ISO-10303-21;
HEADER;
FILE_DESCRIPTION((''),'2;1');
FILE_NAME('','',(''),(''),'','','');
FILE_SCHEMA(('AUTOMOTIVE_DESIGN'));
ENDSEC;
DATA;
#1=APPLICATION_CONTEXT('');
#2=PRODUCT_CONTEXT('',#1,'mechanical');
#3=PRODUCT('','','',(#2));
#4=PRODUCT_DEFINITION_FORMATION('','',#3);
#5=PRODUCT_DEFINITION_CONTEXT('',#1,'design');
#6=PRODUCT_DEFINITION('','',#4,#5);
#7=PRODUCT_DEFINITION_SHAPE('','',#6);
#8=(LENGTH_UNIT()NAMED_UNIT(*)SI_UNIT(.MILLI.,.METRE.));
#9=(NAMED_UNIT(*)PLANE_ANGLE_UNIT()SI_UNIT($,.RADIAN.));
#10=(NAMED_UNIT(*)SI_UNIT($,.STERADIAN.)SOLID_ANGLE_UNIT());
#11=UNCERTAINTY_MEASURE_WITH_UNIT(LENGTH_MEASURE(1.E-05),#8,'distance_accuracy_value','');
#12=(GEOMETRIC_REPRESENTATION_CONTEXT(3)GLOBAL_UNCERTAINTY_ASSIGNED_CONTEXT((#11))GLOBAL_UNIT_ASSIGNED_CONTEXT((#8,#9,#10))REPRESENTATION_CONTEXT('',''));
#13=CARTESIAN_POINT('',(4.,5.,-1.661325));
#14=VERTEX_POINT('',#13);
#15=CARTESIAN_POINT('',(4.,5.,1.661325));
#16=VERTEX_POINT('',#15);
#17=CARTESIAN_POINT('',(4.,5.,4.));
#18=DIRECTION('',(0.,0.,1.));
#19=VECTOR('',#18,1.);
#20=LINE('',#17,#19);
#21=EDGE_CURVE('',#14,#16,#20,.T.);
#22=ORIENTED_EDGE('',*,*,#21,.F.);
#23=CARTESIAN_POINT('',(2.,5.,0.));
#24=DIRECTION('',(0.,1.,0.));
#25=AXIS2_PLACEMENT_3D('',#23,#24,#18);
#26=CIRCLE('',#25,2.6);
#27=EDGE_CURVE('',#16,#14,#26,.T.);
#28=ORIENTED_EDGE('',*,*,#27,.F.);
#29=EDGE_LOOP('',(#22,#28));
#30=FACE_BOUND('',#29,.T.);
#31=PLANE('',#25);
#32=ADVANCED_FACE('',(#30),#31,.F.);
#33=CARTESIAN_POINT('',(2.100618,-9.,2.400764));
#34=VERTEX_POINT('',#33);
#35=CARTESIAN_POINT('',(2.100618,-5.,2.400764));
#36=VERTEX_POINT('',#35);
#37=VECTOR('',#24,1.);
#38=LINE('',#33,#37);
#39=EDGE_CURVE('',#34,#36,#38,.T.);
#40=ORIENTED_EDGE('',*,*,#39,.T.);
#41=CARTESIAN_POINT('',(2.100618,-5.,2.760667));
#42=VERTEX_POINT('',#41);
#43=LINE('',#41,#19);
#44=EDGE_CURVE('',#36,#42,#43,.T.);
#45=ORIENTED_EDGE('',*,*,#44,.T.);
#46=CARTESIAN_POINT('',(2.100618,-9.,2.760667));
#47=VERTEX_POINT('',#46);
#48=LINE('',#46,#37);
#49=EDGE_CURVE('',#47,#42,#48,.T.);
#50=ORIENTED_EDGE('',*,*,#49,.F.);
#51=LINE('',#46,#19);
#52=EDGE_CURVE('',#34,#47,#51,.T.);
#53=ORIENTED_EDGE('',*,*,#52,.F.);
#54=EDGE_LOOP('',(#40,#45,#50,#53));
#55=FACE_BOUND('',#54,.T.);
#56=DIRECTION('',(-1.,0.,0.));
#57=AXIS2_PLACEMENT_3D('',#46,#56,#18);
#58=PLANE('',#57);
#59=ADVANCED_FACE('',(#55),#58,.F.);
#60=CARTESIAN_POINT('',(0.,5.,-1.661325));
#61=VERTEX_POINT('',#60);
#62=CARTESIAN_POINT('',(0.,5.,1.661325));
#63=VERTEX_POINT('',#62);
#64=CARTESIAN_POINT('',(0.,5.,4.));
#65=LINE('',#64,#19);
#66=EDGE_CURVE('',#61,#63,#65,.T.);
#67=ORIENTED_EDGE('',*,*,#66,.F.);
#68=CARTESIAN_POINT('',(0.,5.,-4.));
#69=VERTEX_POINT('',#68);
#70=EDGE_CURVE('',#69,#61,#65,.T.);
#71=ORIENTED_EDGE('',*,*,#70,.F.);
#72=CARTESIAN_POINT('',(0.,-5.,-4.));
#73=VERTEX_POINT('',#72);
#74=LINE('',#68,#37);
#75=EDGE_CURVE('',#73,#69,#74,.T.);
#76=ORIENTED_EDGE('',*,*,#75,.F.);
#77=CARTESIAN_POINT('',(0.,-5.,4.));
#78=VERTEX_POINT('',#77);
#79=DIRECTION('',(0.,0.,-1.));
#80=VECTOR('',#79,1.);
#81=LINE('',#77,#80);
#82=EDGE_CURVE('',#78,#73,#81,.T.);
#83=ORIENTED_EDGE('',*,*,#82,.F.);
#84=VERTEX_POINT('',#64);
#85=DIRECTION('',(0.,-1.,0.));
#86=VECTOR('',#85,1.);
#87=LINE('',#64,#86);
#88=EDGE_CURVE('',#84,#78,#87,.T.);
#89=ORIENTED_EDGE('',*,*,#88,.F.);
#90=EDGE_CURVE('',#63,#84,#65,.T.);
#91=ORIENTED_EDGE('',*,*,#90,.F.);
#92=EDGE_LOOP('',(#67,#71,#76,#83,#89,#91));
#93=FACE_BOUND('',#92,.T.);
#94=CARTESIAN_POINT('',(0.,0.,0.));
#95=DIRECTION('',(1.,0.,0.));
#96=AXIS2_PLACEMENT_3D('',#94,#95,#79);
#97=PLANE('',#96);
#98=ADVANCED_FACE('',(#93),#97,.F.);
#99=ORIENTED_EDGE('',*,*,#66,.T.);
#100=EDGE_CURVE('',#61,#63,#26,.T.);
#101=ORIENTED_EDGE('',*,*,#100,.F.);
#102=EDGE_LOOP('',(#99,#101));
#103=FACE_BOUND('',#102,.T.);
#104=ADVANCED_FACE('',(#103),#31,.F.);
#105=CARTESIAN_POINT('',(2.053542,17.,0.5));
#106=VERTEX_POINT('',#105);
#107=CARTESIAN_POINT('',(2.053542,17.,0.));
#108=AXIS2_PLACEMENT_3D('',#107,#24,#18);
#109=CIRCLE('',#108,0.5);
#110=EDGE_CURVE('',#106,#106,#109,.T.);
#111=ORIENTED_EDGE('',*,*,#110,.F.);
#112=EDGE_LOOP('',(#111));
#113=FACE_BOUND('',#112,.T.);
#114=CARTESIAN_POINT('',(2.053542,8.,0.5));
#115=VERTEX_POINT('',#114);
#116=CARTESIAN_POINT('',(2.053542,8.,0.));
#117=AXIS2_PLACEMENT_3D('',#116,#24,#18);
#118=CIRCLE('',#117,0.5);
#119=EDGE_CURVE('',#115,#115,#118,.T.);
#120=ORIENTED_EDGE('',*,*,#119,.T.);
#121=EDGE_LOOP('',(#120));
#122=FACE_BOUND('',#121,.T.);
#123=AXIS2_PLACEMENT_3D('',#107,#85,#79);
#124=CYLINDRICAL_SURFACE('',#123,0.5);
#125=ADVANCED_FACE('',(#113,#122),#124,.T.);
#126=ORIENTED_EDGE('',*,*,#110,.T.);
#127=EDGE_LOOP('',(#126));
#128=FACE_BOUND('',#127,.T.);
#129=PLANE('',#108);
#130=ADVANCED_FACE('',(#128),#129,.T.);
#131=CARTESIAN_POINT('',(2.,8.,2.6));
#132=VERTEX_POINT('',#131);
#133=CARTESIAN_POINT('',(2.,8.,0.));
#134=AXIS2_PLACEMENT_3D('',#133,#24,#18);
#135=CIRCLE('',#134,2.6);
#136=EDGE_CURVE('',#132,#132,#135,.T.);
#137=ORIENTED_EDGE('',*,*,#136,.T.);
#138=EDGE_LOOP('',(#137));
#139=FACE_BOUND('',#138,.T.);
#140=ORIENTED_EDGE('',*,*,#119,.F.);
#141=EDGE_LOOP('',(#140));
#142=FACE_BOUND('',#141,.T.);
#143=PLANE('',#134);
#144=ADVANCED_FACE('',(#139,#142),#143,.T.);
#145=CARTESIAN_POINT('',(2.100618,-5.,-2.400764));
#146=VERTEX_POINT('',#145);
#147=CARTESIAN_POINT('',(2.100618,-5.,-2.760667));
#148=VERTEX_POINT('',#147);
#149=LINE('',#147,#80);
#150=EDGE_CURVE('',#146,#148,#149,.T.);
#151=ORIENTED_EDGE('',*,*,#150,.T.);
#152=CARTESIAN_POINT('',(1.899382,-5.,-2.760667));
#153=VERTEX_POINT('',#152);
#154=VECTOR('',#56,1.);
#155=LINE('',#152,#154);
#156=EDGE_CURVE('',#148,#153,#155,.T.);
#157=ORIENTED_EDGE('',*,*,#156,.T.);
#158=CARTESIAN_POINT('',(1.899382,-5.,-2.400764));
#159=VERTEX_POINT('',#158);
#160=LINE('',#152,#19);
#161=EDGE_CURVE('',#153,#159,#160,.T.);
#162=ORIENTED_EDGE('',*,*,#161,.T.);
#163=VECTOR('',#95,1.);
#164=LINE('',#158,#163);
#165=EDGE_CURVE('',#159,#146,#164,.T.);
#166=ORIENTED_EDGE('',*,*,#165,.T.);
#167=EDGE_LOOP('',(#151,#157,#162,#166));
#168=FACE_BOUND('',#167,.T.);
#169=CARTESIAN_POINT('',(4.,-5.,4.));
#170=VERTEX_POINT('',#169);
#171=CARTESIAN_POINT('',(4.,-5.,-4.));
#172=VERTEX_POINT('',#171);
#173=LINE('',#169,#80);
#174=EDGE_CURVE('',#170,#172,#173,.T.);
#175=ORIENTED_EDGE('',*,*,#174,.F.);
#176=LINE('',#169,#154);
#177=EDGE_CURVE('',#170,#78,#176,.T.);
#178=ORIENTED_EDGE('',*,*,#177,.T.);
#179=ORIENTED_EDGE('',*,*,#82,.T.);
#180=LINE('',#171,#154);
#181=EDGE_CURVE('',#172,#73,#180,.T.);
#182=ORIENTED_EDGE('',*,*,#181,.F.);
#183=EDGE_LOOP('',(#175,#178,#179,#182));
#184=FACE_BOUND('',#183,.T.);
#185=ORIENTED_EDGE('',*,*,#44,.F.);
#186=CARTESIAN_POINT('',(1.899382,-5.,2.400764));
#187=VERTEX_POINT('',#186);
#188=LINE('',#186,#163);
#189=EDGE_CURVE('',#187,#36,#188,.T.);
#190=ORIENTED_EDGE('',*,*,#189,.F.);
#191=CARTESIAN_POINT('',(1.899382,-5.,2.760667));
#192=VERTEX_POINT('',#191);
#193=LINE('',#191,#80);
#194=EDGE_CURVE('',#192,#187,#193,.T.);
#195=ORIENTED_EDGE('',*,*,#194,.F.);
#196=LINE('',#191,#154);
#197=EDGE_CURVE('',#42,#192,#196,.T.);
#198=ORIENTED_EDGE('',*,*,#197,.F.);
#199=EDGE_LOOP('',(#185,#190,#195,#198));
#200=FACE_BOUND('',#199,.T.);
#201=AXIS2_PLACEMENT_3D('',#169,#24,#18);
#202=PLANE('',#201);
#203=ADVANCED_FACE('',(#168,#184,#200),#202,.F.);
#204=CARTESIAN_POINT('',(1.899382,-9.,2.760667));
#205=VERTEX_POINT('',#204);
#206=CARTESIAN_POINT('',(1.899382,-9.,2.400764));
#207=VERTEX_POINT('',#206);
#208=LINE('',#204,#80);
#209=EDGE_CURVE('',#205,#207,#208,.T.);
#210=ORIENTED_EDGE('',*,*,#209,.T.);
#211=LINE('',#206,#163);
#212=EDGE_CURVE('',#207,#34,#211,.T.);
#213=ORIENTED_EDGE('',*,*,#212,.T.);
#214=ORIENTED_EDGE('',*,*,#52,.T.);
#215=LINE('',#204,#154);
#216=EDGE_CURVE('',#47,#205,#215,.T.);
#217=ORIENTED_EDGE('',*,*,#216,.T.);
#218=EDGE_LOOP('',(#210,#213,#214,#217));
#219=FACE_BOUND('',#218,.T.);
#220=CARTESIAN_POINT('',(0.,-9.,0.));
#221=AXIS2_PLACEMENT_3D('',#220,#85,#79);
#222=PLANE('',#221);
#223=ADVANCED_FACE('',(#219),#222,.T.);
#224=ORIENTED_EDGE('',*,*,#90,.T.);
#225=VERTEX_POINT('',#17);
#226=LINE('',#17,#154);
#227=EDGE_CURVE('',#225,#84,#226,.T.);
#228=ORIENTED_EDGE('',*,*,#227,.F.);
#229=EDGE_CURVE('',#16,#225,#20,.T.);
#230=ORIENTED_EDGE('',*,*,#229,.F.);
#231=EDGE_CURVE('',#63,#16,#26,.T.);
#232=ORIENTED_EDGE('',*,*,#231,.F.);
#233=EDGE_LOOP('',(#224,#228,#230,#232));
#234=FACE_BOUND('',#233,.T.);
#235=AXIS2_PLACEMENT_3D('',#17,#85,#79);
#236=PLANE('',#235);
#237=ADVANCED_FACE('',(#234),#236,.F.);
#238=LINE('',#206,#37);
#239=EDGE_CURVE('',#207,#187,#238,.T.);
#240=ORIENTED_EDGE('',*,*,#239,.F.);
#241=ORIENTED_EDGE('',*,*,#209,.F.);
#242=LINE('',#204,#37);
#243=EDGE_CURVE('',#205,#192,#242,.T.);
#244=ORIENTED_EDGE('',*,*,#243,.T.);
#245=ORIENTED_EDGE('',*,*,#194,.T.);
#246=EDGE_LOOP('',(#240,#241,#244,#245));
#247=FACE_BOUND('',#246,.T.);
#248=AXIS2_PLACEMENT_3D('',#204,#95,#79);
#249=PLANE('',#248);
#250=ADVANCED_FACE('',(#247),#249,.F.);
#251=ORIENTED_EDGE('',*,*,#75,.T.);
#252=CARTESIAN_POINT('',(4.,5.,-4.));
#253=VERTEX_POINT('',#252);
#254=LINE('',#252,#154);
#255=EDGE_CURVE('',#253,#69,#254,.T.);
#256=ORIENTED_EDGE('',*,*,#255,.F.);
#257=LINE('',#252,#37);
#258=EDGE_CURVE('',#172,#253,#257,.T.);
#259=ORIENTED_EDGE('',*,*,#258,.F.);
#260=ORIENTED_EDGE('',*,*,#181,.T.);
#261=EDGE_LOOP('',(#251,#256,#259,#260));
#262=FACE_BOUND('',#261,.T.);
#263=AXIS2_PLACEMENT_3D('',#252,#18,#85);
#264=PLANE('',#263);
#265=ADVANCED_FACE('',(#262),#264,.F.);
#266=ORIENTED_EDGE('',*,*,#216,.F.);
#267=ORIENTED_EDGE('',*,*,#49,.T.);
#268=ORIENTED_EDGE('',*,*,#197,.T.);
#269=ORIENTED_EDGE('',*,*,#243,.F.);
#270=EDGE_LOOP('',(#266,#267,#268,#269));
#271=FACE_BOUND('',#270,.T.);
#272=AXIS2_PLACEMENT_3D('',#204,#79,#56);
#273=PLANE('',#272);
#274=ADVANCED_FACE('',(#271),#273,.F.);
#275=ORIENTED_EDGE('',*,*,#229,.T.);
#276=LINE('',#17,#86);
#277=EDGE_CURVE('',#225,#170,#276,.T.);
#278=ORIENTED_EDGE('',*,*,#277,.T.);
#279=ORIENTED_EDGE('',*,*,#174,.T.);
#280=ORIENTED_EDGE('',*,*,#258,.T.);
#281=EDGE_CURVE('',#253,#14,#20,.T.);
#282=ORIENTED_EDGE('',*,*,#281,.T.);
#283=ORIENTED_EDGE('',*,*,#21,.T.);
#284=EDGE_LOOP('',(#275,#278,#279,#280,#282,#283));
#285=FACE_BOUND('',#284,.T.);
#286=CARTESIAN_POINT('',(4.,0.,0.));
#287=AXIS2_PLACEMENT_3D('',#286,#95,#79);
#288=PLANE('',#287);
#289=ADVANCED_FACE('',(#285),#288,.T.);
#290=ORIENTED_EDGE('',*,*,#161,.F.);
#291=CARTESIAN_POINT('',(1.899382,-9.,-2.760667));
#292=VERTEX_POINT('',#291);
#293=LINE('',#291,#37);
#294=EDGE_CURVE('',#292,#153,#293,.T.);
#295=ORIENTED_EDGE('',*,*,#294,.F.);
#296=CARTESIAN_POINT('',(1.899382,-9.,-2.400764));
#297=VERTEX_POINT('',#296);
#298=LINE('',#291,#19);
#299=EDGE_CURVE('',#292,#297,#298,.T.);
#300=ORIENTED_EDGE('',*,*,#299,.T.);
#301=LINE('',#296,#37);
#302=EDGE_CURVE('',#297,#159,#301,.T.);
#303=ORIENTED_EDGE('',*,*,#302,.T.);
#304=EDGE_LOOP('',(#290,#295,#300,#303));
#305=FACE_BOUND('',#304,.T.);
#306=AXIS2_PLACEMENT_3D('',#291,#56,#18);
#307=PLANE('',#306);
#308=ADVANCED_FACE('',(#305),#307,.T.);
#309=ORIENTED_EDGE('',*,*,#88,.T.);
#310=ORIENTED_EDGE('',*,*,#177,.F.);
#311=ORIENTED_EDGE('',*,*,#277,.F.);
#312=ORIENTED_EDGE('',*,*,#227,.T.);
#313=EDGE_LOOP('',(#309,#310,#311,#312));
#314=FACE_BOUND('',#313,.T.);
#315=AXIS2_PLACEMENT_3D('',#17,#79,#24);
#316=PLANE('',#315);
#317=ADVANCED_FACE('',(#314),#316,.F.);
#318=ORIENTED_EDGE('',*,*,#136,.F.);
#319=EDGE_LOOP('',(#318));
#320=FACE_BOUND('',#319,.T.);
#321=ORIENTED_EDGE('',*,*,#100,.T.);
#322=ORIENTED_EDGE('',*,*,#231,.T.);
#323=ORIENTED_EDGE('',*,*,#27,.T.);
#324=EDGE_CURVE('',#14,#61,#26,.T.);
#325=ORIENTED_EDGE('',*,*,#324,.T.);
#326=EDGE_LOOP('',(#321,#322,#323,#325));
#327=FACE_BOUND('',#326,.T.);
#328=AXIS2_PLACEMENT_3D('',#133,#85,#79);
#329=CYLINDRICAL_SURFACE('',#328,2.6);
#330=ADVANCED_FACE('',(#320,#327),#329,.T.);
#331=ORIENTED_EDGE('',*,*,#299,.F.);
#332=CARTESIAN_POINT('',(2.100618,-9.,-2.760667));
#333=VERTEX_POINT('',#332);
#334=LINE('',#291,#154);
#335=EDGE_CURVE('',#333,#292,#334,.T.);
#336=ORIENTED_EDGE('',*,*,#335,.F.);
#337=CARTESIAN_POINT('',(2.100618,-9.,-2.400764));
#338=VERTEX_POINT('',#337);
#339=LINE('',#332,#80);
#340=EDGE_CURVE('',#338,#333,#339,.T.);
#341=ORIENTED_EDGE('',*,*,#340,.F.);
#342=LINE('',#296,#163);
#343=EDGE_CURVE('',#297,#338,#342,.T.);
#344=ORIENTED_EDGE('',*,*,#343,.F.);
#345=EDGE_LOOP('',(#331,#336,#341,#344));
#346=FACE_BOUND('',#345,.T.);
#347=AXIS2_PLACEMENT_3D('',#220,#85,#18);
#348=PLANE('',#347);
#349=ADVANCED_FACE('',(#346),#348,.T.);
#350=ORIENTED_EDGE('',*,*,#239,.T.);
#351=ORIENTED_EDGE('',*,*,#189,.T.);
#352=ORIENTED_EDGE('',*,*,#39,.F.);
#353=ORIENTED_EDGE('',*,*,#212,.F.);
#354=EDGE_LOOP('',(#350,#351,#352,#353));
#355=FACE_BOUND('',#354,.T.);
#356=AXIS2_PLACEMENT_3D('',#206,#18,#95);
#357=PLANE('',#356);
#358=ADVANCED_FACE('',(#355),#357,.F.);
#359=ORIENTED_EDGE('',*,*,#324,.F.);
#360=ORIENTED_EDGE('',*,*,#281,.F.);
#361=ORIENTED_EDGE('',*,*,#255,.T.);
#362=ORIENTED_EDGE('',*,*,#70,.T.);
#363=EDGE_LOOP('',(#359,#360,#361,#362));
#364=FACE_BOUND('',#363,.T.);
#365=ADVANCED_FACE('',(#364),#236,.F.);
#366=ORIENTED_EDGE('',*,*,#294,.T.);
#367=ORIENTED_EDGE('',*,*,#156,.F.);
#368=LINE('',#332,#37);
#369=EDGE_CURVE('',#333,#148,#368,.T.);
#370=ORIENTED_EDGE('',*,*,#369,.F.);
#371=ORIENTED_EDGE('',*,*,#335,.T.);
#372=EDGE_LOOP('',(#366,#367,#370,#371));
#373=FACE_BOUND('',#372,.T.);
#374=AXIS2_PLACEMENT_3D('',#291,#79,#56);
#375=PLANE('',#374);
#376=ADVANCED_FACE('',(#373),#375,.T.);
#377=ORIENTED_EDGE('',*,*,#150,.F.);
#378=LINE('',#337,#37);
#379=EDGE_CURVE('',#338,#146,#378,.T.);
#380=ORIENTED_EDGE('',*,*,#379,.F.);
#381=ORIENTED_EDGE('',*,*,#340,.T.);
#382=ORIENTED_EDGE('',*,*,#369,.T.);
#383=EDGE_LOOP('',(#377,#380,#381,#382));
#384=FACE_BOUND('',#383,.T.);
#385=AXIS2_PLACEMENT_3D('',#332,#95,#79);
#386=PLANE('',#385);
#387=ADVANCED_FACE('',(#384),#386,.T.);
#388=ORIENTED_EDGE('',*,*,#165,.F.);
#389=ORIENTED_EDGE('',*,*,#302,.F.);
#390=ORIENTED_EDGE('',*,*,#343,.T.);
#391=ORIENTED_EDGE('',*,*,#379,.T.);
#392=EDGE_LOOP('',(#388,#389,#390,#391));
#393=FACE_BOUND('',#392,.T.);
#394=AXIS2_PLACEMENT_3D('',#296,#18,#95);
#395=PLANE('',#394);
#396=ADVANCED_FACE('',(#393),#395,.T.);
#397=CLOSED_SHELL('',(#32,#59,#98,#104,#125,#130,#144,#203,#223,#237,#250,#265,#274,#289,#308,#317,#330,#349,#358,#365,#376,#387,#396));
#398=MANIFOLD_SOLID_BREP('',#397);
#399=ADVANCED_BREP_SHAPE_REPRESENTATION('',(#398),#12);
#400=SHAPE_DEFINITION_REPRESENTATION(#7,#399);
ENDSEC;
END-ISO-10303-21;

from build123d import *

# Parameters (mm, degrees)
ESQUISSE1_W        = 8
ESQUISSE1_H        = 10
BOSS_EXTRU_1_DEPTH = 4
ESQUISSE2_W        = 0.201235696
ESQUISSE2_H        = 0.359902984
BOSS_EXTRU_2_DEPTH = 4
ESQUISSE3_R        = 2.6
BOSS_EXTRU_3_DEPTH = 3
ESQUISSE4_R        = 0.5
BOSS_EXTRU_4_DEPTH = 9


with BuildPart() as part:
    # Esquisse1 → Boss.-Extru.1 (new body)
    with BuildSketch(Plane(origin=(0, 0, 0), x_dir=(0, 0, -1), z_dir=(1, 0, 0))):
        Rectangle(ESQUISSE1_W, ESQUISSE1_H)
    extrude(amount=BOSS_EXTRU_1_DEPTH)

    # Esquisse2 → Boss.-Extru.2 (add)
    with BuildSketch(Plane.XZ.offset(5)):
        with Locations((2, 2.580715462)):
            Rectangle(ESQUISSE2_W, ESQUISSE2_H)
    boss_extru_2 = extrude(amount=BOSS_EXTRU_2_DEPTH)

    # Symétrie1: Boss.-Extru.2 across plane
    add(boss_extru_2.mirror(Plane.XY))

    # Esquisse3 → Boss.-Extru.3 (add)
    with BuildSketch(Plane(origin=(0, 5, 0), x_dir=(1, 0, 0), z_dir=(0, 1, 0))):
        with Locations(Location((2, 0, 0), (0, 0, 39.715137232))):
            Circle(ESQUISSE3_R)
    extrude(amount=BOSS_EXTRU_3_DEPTH)

    # Esquisse4 → Boss.-Extru.4 (add)
    with BuildSketch(Plane(origin=(0, 8, 0), x_dir=(1, 0, 0), z_dir=(0, 1, 0))):
        with Locations(Location((2.053541677, 0, 0), (0, 0, 270))):
            Circle(ESQUISSE4_R)
    extrude(amount=BOSS_EXTRU_4_DEPTH)


solid = part.part
